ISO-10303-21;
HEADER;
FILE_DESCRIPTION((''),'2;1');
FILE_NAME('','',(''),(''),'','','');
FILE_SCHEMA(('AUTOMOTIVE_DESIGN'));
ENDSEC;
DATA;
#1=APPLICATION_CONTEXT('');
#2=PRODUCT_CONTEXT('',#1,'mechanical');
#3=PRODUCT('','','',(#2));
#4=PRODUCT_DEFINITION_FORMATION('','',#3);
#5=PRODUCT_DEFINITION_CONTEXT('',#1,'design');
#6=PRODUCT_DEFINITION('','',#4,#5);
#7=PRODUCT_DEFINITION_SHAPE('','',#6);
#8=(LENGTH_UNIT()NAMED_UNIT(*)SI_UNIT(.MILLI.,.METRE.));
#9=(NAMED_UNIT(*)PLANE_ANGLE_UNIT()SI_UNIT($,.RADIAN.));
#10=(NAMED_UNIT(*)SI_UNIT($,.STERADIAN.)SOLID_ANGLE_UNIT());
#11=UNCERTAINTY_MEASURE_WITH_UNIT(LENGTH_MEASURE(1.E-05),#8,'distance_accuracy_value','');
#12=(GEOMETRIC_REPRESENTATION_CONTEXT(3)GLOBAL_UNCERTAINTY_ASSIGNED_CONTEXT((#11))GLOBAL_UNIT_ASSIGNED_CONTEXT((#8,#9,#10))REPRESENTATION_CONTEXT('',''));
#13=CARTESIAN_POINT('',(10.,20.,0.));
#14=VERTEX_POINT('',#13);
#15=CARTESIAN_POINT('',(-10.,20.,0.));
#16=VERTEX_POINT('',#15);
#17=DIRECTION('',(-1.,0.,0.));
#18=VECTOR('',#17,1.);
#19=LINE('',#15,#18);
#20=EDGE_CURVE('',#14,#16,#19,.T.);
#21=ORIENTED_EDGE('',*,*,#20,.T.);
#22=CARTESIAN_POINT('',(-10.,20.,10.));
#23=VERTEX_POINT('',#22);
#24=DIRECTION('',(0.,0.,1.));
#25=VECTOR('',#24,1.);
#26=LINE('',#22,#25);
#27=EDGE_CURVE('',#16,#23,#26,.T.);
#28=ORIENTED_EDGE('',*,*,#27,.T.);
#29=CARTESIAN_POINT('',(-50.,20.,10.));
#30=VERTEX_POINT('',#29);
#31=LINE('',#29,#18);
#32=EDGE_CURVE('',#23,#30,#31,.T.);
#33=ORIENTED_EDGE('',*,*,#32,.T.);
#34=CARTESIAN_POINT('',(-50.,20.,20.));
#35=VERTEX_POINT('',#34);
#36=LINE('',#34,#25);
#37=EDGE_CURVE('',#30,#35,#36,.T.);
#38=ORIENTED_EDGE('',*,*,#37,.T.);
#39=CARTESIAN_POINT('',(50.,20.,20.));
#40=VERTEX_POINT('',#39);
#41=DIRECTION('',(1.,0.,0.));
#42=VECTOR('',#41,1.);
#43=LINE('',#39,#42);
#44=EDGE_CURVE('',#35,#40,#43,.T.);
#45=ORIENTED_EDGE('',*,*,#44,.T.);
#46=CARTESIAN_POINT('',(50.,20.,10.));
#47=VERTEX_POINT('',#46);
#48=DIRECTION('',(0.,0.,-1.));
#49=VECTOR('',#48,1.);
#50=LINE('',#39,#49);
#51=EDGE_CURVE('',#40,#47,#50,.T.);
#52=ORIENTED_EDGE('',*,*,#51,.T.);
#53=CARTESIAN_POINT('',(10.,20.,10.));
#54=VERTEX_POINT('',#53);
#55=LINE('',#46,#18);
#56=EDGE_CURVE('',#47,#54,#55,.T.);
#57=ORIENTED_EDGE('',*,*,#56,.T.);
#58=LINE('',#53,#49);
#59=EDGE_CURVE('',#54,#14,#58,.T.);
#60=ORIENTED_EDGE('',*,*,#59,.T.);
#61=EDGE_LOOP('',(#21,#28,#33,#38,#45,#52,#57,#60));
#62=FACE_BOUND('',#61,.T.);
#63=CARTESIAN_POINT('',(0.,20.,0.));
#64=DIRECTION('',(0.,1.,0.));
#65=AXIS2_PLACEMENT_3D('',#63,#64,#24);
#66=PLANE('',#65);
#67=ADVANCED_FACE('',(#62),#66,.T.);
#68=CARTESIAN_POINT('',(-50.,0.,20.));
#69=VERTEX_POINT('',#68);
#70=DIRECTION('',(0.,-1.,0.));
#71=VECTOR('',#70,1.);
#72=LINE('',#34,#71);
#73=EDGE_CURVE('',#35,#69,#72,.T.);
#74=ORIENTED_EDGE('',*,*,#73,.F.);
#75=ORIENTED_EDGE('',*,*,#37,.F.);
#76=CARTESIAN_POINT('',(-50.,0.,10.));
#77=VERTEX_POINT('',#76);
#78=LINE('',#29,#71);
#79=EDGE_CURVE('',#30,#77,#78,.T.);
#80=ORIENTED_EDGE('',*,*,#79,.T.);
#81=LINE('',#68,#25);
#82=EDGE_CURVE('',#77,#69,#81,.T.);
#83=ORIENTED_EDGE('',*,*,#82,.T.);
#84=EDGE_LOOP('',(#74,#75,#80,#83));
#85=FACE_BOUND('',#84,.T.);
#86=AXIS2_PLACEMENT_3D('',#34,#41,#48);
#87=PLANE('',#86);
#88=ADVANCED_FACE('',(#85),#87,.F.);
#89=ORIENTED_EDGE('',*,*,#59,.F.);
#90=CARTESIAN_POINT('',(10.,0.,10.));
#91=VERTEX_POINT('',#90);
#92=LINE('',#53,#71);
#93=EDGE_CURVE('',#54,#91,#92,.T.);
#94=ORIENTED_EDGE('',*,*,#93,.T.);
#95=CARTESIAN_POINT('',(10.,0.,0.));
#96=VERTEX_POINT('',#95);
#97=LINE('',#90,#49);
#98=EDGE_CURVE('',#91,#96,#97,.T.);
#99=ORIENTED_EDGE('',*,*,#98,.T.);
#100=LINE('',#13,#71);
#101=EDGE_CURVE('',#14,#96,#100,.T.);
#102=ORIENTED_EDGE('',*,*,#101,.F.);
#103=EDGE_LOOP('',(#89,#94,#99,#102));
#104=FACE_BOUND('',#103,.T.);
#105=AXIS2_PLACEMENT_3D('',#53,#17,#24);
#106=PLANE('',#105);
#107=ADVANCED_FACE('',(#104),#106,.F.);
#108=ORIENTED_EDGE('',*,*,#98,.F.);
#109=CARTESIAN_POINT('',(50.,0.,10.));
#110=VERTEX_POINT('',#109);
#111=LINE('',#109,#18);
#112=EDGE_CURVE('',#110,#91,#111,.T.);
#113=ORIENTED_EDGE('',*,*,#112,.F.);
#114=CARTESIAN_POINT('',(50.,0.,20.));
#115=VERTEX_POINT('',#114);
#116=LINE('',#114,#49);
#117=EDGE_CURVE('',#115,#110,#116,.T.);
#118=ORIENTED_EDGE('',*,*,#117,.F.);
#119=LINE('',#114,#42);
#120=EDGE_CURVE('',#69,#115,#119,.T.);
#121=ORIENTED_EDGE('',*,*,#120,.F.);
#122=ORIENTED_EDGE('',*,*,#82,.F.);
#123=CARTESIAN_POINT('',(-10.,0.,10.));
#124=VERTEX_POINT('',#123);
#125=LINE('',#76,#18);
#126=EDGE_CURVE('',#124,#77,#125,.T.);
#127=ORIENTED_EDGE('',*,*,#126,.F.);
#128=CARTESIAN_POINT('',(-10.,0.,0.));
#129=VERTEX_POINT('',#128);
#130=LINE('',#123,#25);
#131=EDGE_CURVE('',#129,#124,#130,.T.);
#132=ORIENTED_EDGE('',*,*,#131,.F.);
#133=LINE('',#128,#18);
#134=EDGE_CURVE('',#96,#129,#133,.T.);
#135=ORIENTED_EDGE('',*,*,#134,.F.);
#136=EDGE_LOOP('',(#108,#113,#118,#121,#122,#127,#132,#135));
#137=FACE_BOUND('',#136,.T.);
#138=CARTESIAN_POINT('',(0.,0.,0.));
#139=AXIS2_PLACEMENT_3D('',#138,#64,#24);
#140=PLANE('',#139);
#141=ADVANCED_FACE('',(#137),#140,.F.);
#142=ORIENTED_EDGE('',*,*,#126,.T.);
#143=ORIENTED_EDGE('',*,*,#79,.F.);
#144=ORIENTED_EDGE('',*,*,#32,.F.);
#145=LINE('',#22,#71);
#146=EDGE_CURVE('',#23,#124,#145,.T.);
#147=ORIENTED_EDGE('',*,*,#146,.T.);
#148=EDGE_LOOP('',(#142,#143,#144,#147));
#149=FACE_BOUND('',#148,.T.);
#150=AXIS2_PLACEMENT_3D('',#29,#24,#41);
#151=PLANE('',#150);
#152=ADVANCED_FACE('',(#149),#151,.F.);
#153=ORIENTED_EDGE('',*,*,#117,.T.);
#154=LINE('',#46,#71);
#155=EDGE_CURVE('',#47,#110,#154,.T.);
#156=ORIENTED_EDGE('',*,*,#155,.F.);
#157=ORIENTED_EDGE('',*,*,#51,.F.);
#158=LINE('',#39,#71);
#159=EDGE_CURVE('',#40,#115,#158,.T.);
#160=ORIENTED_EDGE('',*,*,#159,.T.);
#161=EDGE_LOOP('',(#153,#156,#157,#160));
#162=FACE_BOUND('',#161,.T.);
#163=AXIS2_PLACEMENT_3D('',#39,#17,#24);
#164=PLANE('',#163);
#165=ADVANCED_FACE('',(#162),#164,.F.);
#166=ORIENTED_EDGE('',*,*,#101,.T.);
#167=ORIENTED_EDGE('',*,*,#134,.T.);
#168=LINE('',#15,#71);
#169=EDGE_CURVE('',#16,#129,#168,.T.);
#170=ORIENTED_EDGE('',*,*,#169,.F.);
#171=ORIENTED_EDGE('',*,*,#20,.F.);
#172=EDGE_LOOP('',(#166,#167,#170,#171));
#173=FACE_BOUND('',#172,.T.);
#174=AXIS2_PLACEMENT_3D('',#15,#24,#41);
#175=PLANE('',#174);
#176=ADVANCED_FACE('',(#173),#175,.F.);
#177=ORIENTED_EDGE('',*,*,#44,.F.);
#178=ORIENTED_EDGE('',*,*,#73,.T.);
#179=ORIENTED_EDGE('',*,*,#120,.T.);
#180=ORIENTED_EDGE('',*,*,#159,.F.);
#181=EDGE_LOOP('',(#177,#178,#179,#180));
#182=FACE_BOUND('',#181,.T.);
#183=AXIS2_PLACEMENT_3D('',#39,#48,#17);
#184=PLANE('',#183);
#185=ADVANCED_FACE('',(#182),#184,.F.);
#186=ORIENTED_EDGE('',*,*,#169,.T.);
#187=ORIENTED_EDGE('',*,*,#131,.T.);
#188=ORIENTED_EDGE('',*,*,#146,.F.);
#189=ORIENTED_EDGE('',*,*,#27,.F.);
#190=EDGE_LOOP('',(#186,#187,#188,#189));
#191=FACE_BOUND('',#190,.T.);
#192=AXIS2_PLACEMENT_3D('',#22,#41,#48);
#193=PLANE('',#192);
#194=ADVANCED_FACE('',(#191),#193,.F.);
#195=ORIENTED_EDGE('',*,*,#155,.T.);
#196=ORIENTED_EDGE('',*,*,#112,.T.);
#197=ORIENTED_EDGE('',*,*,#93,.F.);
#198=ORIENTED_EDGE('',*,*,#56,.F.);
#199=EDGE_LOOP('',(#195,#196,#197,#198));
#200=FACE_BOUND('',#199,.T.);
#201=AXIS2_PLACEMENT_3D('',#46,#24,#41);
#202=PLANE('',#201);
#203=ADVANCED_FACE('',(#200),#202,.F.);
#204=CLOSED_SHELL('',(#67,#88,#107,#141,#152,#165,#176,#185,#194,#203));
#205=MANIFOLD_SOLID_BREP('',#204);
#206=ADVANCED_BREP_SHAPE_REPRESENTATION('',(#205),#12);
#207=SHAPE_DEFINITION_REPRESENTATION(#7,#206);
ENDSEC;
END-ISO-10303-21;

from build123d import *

# Parameters (mm, degrees)
BOSS_EXTRUDE1_DEPTH = 20


with BuildPart() as part:
    # Sketch2 → Boss-Extrude1 (new body)
    with BuildSketch(Plane(origin=(0, 0, 0), x_dir=(1, 0, 0), z_dir=(0, 1, 0))):
        Polygon((50, -20), (-50, -20), (-50, -10), (-10, -10), (-10, 0), (10, 0), (10, -10), (50, -10), align=None)
    extrude(amount=BOSS_EXTRUDE1_DEPTH)


solid = part.part
